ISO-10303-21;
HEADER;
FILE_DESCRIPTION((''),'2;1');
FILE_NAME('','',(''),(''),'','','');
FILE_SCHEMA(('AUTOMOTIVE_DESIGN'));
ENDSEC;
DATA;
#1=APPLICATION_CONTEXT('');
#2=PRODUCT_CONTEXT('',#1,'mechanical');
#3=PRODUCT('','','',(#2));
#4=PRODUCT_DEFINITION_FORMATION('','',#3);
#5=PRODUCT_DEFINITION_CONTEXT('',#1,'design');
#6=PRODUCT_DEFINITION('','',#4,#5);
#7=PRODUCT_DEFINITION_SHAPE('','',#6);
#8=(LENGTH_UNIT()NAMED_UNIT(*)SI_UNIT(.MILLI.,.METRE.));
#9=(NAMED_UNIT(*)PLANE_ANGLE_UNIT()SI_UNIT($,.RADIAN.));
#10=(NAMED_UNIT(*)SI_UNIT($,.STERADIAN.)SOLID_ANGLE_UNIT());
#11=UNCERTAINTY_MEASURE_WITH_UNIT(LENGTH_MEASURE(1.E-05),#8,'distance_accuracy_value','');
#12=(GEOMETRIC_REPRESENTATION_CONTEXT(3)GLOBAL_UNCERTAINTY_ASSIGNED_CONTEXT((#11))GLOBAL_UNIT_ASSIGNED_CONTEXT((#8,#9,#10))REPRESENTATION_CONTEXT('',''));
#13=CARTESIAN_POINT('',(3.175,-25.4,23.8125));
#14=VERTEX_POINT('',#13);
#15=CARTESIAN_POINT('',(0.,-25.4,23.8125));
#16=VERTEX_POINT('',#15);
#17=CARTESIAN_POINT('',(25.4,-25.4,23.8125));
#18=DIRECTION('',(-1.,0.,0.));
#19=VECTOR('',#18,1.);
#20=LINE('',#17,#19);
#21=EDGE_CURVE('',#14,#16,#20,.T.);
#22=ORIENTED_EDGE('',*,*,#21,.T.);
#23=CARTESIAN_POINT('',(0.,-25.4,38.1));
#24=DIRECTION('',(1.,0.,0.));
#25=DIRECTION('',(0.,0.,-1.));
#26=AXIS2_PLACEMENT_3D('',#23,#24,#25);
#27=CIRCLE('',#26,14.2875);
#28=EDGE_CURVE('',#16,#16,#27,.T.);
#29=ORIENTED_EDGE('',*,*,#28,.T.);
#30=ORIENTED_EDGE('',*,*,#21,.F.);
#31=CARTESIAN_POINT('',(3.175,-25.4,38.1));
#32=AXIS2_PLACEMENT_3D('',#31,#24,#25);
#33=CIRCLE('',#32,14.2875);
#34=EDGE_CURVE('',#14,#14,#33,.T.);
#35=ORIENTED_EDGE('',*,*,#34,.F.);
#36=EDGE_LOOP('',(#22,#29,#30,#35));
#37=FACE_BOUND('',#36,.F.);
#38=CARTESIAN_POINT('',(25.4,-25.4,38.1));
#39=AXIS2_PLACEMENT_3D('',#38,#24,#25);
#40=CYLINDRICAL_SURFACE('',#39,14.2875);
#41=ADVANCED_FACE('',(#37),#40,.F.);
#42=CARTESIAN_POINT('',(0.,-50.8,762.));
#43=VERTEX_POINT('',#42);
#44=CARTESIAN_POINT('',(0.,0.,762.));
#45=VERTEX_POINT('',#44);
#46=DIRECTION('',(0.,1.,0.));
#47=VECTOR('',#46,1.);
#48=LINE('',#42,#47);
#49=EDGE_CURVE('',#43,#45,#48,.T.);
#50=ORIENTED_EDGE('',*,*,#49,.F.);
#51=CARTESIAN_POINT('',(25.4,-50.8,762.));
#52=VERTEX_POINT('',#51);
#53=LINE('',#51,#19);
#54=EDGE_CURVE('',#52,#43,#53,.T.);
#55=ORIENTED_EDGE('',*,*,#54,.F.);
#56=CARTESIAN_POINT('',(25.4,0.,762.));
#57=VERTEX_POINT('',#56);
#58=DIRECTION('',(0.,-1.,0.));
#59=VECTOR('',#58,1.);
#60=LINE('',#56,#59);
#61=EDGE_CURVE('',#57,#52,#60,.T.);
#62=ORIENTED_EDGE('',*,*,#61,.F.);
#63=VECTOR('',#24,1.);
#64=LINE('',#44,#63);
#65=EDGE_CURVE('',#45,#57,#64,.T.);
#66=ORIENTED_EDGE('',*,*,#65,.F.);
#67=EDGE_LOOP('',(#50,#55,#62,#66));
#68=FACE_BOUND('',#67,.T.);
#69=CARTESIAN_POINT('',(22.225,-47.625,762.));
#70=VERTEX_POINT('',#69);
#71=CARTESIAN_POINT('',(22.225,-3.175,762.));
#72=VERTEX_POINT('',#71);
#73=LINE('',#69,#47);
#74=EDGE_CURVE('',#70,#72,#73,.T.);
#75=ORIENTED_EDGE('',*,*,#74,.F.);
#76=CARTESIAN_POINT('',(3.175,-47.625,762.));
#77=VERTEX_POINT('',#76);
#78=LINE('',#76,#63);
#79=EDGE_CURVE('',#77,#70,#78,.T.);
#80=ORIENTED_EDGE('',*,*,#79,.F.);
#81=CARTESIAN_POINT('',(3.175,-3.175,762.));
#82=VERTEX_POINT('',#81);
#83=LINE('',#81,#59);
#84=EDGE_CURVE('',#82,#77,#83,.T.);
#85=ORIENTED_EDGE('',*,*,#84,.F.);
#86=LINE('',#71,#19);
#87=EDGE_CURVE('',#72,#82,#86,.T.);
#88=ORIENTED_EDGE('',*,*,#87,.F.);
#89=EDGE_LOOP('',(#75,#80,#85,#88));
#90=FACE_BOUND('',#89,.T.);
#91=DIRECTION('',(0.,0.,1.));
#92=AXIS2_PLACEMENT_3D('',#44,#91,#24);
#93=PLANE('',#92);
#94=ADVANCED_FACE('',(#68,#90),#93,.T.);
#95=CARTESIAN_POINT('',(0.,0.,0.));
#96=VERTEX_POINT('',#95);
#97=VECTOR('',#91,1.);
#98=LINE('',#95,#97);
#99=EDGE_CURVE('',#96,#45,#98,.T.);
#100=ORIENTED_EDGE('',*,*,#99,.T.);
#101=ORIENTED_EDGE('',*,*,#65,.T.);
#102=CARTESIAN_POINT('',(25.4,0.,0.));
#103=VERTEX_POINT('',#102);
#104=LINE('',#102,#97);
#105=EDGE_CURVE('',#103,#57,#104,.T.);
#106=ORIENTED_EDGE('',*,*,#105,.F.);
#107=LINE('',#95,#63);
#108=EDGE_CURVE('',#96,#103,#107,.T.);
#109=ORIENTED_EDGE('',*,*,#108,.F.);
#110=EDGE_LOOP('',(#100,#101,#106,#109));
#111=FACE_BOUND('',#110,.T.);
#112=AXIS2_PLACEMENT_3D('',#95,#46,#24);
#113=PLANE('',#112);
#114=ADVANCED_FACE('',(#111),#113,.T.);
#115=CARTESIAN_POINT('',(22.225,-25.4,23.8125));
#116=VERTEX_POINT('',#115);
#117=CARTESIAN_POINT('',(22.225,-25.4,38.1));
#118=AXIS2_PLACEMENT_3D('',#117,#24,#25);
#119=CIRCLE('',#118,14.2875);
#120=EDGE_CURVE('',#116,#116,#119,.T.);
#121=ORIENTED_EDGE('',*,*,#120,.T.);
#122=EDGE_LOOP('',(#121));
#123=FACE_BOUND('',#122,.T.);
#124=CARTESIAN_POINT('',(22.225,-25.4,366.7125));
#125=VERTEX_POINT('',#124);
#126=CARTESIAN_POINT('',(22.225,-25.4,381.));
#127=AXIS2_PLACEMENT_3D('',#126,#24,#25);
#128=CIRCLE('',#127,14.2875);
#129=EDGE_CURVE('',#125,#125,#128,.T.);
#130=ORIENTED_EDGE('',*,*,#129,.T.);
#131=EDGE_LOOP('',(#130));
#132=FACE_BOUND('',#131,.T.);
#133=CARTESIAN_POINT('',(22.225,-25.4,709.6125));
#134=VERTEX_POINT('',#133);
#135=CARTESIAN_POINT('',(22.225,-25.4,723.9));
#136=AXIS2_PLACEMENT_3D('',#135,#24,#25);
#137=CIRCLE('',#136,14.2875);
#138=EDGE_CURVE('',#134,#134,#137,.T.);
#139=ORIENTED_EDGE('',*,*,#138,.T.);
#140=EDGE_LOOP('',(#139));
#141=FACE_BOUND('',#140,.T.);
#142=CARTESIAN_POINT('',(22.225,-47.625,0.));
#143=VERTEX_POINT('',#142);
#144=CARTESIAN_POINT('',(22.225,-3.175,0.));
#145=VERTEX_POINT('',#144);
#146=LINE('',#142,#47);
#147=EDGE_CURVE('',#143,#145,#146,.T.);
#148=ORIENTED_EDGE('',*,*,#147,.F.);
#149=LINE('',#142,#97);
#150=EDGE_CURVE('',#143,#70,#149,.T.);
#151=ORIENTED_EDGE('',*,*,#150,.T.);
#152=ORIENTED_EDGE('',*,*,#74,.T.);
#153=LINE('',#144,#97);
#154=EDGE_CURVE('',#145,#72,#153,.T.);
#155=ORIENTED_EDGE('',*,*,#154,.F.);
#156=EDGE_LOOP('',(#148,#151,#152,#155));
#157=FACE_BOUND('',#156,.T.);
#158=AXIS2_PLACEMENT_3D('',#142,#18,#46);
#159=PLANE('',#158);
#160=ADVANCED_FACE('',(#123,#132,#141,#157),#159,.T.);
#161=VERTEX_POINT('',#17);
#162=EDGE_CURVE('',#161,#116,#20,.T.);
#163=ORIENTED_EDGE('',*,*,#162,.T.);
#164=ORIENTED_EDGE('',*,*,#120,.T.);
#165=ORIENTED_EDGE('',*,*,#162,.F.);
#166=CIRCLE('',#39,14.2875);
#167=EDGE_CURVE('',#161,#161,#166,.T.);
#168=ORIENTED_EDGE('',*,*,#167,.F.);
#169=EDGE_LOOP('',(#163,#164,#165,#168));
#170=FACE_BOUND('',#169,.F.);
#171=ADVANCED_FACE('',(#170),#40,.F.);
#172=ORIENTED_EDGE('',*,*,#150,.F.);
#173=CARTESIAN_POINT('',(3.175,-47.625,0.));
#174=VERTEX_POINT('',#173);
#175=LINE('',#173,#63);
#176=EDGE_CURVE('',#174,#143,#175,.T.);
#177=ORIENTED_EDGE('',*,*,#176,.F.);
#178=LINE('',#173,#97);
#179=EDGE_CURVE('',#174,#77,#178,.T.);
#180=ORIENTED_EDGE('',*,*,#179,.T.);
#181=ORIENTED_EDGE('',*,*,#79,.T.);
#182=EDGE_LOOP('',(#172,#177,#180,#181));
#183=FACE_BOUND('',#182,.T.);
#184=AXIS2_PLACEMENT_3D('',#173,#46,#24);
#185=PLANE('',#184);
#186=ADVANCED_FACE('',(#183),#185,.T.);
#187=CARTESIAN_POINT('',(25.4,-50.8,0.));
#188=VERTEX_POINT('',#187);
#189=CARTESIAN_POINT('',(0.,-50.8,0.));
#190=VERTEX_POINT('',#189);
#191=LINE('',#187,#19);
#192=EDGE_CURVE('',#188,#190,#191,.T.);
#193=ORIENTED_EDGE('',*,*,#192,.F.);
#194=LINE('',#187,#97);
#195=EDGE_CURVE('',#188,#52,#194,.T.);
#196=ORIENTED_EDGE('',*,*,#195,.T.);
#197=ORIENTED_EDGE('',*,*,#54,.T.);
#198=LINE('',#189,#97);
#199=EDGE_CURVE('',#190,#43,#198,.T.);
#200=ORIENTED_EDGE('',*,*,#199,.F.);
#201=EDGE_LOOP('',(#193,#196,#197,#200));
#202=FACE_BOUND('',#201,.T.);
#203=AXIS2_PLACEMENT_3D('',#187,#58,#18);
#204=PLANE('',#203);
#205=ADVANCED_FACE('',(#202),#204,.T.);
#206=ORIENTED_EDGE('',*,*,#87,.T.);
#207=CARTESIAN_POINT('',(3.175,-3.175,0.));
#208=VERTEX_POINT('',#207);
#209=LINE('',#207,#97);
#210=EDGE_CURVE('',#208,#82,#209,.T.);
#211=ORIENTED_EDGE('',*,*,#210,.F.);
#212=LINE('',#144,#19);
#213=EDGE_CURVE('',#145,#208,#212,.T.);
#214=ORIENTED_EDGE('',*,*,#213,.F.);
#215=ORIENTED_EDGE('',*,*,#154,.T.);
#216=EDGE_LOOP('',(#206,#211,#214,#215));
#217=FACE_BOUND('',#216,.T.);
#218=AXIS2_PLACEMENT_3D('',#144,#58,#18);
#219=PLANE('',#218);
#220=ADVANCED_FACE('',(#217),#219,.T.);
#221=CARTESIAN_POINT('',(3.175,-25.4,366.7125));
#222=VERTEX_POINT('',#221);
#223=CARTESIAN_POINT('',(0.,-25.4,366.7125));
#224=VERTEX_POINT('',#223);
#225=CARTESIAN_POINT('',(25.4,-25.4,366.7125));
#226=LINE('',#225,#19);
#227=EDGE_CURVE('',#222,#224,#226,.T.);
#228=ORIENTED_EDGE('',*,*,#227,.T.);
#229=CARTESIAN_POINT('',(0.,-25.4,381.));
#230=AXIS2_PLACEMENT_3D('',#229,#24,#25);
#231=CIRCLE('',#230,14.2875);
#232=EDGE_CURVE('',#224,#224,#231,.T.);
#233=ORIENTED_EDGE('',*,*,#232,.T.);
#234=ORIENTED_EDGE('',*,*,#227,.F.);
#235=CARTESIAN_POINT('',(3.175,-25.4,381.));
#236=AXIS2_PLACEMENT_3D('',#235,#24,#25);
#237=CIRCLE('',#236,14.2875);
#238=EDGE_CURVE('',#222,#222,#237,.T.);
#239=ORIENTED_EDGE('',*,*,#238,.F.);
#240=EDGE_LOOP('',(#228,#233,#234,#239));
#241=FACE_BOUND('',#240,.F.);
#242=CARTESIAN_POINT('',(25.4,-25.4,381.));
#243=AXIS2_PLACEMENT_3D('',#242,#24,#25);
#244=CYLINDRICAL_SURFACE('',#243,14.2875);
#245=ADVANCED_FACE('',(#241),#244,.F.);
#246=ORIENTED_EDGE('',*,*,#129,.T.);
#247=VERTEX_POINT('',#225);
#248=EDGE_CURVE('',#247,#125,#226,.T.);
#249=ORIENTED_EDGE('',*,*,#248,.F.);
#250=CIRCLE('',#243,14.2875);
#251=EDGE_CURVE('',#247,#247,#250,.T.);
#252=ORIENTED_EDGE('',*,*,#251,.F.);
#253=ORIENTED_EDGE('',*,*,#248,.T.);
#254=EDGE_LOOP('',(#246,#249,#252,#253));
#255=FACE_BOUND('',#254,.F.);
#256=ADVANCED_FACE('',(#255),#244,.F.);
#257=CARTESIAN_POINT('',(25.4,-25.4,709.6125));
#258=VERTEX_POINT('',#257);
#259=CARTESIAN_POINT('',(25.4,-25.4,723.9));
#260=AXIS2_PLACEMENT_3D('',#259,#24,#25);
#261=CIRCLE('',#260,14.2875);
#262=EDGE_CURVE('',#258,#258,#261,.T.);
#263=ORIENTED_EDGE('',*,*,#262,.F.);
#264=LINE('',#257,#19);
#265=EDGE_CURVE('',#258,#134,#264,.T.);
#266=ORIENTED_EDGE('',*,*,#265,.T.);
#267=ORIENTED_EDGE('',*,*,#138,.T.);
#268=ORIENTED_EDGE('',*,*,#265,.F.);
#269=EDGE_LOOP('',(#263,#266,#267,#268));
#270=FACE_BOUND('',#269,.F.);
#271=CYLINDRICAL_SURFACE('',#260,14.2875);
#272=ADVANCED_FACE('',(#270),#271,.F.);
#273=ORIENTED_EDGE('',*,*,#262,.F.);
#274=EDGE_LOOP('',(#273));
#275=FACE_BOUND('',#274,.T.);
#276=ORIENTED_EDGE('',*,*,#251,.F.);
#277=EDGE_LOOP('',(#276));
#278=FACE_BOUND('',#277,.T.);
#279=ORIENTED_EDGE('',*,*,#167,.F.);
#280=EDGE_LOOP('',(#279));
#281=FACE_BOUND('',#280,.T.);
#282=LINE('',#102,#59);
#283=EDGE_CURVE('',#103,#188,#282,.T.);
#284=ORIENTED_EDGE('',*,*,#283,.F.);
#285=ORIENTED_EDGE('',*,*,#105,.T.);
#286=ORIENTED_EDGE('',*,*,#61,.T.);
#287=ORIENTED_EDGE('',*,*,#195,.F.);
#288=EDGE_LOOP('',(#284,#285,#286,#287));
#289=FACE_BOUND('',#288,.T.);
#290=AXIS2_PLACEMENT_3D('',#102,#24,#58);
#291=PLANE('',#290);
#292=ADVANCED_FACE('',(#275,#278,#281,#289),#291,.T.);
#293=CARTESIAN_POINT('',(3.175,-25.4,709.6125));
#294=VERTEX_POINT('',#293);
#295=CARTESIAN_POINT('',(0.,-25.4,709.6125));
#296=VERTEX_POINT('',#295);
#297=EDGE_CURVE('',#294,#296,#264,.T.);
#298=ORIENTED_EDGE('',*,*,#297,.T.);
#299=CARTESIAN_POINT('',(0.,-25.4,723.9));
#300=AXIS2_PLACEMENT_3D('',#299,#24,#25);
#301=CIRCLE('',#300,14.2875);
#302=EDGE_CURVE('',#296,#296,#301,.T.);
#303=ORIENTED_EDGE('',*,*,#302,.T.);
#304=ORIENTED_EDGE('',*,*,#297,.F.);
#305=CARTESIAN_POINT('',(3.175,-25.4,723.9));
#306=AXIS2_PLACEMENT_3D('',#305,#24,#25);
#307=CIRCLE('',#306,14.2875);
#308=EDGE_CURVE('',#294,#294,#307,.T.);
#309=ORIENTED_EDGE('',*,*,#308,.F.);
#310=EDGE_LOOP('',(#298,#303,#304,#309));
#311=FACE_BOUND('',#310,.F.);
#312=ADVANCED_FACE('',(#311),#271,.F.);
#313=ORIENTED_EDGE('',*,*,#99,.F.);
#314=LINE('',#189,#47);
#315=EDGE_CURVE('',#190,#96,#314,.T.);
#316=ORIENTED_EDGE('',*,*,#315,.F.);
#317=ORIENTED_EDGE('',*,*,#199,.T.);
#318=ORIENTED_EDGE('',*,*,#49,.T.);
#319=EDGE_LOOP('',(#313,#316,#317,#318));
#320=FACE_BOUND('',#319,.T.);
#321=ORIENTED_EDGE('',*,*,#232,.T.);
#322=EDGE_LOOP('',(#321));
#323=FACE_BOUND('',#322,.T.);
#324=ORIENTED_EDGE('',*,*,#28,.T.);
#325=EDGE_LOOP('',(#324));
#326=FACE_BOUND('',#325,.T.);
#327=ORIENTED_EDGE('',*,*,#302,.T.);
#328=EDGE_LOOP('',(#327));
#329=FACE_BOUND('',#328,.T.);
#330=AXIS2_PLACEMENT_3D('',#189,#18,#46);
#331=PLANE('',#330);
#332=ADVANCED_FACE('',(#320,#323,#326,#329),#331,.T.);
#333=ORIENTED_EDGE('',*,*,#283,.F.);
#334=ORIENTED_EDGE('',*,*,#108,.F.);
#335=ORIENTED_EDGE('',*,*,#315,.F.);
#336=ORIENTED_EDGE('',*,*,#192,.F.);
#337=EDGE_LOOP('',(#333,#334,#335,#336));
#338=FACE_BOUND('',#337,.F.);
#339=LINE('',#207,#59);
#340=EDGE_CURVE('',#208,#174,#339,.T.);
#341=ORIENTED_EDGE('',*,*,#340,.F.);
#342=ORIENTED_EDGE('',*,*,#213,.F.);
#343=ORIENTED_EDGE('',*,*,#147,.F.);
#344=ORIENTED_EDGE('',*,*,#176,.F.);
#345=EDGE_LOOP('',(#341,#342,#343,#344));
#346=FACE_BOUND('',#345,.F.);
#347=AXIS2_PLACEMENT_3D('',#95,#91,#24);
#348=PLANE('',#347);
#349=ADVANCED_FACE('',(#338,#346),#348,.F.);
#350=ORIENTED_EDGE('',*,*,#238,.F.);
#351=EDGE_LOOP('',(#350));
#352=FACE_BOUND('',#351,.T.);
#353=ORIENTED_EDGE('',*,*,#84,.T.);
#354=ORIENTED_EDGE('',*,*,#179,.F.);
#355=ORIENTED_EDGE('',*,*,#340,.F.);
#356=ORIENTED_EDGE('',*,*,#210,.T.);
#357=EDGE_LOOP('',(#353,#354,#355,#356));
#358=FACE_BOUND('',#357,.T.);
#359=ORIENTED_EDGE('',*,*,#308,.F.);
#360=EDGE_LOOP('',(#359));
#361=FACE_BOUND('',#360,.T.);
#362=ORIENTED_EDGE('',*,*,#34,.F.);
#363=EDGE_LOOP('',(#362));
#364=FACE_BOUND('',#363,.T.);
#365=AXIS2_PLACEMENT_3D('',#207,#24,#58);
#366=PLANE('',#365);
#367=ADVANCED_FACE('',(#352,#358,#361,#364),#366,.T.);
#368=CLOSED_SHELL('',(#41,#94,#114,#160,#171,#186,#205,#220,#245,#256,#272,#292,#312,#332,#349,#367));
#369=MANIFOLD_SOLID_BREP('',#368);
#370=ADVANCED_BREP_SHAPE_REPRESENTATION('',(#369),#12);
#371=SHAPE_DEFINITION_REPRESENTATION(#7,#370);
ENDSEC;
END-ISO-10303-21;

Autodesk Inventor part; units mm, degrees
ref_plane "YZ Plane" through (0, 0, 0) normal (1, 0, 0) x (0, 1, 0)
ref_plane "XZ Plane" through (0, 0, 0) normal (0, 1, 0) x (-1, 0, 0)
ref_plane "XY Plane" through (0, 0, 0) normal (0, 0, 1) x (1, 0, 0)
sketch "Sketch1" plane through (0, 0, 0) normal (0, 0, 1) x (1, 0, 0)
  line L0 (0, 0) -> (25.4, 0)
  line L1 (25.4, 0) -> (25.4, -50.8)
  line L2 (25.4, -50.8) -> (0, -50.8)
  line L3 (0, -50.8) -> (0, 0)
  line L4 (22.225, -3.175) -> (3.175, -3.175)
  line L5 (3.175, -3.175) -> (3.175, -47.625)
  line L6 (3.175, -47.625) -> (22.225, -47.625)
  line L7 (22.225, -47.625) -> (22.225, -3.175)
  dimension "d0" = 25.4
  dimension "d1" = 50.8
  dimension "d2" = 3.175
extrude "Extrusion1" add sketch "Sketch1" along normal blind 762
sketch "Sketch3" plane through (25.4, -50.8, 0) normal (1, 0, 0) x (0, 0, -1)
  circle A0 centre (-38.1, 25.4) radius 14.2875
  line L0 (0, 50.8) -> (0, 0) projected
  line L1 (0, 50.8) -> (-762, 50.8) projected
  dimension "d13" = 38.1
  dimension "d14" = 25.4
  dimension "d15" = 28.575
extrude "Extrusion3" cut sketch "Sketch3" against normal blind 25.4
sketch "Sketch4" plane through (25.4, -50.8, 0) normal (1, 0, 0) x (0, 0, -1)
  circle A0 centre (-723.9, 25.4) radius 14.2875
  circle A1 centre (-381, 25.4) radius 14.2875
  line L0 (-762, 0) -> (-762, 50.8) projected
  line L1 (0, 50.8) -> (-762, 50.8) projected
  circle A2 centre (-38.1, 25.4) radius 14.2875 projected
  dimension "d19" = 38.1
  dimension "d20" = 25.4
  dimension "d21" = 28.575
  dimension "d22" = 25.4
  dimension "d23" = 28.575
  dimension "d26" = 342.9
  dimension "d27" = 342.9
extrude "Extrusion4" cut sketch "Sketch4" against normal blind 25.4 contours A0 | A1
properties part number "DRL short Angle"
